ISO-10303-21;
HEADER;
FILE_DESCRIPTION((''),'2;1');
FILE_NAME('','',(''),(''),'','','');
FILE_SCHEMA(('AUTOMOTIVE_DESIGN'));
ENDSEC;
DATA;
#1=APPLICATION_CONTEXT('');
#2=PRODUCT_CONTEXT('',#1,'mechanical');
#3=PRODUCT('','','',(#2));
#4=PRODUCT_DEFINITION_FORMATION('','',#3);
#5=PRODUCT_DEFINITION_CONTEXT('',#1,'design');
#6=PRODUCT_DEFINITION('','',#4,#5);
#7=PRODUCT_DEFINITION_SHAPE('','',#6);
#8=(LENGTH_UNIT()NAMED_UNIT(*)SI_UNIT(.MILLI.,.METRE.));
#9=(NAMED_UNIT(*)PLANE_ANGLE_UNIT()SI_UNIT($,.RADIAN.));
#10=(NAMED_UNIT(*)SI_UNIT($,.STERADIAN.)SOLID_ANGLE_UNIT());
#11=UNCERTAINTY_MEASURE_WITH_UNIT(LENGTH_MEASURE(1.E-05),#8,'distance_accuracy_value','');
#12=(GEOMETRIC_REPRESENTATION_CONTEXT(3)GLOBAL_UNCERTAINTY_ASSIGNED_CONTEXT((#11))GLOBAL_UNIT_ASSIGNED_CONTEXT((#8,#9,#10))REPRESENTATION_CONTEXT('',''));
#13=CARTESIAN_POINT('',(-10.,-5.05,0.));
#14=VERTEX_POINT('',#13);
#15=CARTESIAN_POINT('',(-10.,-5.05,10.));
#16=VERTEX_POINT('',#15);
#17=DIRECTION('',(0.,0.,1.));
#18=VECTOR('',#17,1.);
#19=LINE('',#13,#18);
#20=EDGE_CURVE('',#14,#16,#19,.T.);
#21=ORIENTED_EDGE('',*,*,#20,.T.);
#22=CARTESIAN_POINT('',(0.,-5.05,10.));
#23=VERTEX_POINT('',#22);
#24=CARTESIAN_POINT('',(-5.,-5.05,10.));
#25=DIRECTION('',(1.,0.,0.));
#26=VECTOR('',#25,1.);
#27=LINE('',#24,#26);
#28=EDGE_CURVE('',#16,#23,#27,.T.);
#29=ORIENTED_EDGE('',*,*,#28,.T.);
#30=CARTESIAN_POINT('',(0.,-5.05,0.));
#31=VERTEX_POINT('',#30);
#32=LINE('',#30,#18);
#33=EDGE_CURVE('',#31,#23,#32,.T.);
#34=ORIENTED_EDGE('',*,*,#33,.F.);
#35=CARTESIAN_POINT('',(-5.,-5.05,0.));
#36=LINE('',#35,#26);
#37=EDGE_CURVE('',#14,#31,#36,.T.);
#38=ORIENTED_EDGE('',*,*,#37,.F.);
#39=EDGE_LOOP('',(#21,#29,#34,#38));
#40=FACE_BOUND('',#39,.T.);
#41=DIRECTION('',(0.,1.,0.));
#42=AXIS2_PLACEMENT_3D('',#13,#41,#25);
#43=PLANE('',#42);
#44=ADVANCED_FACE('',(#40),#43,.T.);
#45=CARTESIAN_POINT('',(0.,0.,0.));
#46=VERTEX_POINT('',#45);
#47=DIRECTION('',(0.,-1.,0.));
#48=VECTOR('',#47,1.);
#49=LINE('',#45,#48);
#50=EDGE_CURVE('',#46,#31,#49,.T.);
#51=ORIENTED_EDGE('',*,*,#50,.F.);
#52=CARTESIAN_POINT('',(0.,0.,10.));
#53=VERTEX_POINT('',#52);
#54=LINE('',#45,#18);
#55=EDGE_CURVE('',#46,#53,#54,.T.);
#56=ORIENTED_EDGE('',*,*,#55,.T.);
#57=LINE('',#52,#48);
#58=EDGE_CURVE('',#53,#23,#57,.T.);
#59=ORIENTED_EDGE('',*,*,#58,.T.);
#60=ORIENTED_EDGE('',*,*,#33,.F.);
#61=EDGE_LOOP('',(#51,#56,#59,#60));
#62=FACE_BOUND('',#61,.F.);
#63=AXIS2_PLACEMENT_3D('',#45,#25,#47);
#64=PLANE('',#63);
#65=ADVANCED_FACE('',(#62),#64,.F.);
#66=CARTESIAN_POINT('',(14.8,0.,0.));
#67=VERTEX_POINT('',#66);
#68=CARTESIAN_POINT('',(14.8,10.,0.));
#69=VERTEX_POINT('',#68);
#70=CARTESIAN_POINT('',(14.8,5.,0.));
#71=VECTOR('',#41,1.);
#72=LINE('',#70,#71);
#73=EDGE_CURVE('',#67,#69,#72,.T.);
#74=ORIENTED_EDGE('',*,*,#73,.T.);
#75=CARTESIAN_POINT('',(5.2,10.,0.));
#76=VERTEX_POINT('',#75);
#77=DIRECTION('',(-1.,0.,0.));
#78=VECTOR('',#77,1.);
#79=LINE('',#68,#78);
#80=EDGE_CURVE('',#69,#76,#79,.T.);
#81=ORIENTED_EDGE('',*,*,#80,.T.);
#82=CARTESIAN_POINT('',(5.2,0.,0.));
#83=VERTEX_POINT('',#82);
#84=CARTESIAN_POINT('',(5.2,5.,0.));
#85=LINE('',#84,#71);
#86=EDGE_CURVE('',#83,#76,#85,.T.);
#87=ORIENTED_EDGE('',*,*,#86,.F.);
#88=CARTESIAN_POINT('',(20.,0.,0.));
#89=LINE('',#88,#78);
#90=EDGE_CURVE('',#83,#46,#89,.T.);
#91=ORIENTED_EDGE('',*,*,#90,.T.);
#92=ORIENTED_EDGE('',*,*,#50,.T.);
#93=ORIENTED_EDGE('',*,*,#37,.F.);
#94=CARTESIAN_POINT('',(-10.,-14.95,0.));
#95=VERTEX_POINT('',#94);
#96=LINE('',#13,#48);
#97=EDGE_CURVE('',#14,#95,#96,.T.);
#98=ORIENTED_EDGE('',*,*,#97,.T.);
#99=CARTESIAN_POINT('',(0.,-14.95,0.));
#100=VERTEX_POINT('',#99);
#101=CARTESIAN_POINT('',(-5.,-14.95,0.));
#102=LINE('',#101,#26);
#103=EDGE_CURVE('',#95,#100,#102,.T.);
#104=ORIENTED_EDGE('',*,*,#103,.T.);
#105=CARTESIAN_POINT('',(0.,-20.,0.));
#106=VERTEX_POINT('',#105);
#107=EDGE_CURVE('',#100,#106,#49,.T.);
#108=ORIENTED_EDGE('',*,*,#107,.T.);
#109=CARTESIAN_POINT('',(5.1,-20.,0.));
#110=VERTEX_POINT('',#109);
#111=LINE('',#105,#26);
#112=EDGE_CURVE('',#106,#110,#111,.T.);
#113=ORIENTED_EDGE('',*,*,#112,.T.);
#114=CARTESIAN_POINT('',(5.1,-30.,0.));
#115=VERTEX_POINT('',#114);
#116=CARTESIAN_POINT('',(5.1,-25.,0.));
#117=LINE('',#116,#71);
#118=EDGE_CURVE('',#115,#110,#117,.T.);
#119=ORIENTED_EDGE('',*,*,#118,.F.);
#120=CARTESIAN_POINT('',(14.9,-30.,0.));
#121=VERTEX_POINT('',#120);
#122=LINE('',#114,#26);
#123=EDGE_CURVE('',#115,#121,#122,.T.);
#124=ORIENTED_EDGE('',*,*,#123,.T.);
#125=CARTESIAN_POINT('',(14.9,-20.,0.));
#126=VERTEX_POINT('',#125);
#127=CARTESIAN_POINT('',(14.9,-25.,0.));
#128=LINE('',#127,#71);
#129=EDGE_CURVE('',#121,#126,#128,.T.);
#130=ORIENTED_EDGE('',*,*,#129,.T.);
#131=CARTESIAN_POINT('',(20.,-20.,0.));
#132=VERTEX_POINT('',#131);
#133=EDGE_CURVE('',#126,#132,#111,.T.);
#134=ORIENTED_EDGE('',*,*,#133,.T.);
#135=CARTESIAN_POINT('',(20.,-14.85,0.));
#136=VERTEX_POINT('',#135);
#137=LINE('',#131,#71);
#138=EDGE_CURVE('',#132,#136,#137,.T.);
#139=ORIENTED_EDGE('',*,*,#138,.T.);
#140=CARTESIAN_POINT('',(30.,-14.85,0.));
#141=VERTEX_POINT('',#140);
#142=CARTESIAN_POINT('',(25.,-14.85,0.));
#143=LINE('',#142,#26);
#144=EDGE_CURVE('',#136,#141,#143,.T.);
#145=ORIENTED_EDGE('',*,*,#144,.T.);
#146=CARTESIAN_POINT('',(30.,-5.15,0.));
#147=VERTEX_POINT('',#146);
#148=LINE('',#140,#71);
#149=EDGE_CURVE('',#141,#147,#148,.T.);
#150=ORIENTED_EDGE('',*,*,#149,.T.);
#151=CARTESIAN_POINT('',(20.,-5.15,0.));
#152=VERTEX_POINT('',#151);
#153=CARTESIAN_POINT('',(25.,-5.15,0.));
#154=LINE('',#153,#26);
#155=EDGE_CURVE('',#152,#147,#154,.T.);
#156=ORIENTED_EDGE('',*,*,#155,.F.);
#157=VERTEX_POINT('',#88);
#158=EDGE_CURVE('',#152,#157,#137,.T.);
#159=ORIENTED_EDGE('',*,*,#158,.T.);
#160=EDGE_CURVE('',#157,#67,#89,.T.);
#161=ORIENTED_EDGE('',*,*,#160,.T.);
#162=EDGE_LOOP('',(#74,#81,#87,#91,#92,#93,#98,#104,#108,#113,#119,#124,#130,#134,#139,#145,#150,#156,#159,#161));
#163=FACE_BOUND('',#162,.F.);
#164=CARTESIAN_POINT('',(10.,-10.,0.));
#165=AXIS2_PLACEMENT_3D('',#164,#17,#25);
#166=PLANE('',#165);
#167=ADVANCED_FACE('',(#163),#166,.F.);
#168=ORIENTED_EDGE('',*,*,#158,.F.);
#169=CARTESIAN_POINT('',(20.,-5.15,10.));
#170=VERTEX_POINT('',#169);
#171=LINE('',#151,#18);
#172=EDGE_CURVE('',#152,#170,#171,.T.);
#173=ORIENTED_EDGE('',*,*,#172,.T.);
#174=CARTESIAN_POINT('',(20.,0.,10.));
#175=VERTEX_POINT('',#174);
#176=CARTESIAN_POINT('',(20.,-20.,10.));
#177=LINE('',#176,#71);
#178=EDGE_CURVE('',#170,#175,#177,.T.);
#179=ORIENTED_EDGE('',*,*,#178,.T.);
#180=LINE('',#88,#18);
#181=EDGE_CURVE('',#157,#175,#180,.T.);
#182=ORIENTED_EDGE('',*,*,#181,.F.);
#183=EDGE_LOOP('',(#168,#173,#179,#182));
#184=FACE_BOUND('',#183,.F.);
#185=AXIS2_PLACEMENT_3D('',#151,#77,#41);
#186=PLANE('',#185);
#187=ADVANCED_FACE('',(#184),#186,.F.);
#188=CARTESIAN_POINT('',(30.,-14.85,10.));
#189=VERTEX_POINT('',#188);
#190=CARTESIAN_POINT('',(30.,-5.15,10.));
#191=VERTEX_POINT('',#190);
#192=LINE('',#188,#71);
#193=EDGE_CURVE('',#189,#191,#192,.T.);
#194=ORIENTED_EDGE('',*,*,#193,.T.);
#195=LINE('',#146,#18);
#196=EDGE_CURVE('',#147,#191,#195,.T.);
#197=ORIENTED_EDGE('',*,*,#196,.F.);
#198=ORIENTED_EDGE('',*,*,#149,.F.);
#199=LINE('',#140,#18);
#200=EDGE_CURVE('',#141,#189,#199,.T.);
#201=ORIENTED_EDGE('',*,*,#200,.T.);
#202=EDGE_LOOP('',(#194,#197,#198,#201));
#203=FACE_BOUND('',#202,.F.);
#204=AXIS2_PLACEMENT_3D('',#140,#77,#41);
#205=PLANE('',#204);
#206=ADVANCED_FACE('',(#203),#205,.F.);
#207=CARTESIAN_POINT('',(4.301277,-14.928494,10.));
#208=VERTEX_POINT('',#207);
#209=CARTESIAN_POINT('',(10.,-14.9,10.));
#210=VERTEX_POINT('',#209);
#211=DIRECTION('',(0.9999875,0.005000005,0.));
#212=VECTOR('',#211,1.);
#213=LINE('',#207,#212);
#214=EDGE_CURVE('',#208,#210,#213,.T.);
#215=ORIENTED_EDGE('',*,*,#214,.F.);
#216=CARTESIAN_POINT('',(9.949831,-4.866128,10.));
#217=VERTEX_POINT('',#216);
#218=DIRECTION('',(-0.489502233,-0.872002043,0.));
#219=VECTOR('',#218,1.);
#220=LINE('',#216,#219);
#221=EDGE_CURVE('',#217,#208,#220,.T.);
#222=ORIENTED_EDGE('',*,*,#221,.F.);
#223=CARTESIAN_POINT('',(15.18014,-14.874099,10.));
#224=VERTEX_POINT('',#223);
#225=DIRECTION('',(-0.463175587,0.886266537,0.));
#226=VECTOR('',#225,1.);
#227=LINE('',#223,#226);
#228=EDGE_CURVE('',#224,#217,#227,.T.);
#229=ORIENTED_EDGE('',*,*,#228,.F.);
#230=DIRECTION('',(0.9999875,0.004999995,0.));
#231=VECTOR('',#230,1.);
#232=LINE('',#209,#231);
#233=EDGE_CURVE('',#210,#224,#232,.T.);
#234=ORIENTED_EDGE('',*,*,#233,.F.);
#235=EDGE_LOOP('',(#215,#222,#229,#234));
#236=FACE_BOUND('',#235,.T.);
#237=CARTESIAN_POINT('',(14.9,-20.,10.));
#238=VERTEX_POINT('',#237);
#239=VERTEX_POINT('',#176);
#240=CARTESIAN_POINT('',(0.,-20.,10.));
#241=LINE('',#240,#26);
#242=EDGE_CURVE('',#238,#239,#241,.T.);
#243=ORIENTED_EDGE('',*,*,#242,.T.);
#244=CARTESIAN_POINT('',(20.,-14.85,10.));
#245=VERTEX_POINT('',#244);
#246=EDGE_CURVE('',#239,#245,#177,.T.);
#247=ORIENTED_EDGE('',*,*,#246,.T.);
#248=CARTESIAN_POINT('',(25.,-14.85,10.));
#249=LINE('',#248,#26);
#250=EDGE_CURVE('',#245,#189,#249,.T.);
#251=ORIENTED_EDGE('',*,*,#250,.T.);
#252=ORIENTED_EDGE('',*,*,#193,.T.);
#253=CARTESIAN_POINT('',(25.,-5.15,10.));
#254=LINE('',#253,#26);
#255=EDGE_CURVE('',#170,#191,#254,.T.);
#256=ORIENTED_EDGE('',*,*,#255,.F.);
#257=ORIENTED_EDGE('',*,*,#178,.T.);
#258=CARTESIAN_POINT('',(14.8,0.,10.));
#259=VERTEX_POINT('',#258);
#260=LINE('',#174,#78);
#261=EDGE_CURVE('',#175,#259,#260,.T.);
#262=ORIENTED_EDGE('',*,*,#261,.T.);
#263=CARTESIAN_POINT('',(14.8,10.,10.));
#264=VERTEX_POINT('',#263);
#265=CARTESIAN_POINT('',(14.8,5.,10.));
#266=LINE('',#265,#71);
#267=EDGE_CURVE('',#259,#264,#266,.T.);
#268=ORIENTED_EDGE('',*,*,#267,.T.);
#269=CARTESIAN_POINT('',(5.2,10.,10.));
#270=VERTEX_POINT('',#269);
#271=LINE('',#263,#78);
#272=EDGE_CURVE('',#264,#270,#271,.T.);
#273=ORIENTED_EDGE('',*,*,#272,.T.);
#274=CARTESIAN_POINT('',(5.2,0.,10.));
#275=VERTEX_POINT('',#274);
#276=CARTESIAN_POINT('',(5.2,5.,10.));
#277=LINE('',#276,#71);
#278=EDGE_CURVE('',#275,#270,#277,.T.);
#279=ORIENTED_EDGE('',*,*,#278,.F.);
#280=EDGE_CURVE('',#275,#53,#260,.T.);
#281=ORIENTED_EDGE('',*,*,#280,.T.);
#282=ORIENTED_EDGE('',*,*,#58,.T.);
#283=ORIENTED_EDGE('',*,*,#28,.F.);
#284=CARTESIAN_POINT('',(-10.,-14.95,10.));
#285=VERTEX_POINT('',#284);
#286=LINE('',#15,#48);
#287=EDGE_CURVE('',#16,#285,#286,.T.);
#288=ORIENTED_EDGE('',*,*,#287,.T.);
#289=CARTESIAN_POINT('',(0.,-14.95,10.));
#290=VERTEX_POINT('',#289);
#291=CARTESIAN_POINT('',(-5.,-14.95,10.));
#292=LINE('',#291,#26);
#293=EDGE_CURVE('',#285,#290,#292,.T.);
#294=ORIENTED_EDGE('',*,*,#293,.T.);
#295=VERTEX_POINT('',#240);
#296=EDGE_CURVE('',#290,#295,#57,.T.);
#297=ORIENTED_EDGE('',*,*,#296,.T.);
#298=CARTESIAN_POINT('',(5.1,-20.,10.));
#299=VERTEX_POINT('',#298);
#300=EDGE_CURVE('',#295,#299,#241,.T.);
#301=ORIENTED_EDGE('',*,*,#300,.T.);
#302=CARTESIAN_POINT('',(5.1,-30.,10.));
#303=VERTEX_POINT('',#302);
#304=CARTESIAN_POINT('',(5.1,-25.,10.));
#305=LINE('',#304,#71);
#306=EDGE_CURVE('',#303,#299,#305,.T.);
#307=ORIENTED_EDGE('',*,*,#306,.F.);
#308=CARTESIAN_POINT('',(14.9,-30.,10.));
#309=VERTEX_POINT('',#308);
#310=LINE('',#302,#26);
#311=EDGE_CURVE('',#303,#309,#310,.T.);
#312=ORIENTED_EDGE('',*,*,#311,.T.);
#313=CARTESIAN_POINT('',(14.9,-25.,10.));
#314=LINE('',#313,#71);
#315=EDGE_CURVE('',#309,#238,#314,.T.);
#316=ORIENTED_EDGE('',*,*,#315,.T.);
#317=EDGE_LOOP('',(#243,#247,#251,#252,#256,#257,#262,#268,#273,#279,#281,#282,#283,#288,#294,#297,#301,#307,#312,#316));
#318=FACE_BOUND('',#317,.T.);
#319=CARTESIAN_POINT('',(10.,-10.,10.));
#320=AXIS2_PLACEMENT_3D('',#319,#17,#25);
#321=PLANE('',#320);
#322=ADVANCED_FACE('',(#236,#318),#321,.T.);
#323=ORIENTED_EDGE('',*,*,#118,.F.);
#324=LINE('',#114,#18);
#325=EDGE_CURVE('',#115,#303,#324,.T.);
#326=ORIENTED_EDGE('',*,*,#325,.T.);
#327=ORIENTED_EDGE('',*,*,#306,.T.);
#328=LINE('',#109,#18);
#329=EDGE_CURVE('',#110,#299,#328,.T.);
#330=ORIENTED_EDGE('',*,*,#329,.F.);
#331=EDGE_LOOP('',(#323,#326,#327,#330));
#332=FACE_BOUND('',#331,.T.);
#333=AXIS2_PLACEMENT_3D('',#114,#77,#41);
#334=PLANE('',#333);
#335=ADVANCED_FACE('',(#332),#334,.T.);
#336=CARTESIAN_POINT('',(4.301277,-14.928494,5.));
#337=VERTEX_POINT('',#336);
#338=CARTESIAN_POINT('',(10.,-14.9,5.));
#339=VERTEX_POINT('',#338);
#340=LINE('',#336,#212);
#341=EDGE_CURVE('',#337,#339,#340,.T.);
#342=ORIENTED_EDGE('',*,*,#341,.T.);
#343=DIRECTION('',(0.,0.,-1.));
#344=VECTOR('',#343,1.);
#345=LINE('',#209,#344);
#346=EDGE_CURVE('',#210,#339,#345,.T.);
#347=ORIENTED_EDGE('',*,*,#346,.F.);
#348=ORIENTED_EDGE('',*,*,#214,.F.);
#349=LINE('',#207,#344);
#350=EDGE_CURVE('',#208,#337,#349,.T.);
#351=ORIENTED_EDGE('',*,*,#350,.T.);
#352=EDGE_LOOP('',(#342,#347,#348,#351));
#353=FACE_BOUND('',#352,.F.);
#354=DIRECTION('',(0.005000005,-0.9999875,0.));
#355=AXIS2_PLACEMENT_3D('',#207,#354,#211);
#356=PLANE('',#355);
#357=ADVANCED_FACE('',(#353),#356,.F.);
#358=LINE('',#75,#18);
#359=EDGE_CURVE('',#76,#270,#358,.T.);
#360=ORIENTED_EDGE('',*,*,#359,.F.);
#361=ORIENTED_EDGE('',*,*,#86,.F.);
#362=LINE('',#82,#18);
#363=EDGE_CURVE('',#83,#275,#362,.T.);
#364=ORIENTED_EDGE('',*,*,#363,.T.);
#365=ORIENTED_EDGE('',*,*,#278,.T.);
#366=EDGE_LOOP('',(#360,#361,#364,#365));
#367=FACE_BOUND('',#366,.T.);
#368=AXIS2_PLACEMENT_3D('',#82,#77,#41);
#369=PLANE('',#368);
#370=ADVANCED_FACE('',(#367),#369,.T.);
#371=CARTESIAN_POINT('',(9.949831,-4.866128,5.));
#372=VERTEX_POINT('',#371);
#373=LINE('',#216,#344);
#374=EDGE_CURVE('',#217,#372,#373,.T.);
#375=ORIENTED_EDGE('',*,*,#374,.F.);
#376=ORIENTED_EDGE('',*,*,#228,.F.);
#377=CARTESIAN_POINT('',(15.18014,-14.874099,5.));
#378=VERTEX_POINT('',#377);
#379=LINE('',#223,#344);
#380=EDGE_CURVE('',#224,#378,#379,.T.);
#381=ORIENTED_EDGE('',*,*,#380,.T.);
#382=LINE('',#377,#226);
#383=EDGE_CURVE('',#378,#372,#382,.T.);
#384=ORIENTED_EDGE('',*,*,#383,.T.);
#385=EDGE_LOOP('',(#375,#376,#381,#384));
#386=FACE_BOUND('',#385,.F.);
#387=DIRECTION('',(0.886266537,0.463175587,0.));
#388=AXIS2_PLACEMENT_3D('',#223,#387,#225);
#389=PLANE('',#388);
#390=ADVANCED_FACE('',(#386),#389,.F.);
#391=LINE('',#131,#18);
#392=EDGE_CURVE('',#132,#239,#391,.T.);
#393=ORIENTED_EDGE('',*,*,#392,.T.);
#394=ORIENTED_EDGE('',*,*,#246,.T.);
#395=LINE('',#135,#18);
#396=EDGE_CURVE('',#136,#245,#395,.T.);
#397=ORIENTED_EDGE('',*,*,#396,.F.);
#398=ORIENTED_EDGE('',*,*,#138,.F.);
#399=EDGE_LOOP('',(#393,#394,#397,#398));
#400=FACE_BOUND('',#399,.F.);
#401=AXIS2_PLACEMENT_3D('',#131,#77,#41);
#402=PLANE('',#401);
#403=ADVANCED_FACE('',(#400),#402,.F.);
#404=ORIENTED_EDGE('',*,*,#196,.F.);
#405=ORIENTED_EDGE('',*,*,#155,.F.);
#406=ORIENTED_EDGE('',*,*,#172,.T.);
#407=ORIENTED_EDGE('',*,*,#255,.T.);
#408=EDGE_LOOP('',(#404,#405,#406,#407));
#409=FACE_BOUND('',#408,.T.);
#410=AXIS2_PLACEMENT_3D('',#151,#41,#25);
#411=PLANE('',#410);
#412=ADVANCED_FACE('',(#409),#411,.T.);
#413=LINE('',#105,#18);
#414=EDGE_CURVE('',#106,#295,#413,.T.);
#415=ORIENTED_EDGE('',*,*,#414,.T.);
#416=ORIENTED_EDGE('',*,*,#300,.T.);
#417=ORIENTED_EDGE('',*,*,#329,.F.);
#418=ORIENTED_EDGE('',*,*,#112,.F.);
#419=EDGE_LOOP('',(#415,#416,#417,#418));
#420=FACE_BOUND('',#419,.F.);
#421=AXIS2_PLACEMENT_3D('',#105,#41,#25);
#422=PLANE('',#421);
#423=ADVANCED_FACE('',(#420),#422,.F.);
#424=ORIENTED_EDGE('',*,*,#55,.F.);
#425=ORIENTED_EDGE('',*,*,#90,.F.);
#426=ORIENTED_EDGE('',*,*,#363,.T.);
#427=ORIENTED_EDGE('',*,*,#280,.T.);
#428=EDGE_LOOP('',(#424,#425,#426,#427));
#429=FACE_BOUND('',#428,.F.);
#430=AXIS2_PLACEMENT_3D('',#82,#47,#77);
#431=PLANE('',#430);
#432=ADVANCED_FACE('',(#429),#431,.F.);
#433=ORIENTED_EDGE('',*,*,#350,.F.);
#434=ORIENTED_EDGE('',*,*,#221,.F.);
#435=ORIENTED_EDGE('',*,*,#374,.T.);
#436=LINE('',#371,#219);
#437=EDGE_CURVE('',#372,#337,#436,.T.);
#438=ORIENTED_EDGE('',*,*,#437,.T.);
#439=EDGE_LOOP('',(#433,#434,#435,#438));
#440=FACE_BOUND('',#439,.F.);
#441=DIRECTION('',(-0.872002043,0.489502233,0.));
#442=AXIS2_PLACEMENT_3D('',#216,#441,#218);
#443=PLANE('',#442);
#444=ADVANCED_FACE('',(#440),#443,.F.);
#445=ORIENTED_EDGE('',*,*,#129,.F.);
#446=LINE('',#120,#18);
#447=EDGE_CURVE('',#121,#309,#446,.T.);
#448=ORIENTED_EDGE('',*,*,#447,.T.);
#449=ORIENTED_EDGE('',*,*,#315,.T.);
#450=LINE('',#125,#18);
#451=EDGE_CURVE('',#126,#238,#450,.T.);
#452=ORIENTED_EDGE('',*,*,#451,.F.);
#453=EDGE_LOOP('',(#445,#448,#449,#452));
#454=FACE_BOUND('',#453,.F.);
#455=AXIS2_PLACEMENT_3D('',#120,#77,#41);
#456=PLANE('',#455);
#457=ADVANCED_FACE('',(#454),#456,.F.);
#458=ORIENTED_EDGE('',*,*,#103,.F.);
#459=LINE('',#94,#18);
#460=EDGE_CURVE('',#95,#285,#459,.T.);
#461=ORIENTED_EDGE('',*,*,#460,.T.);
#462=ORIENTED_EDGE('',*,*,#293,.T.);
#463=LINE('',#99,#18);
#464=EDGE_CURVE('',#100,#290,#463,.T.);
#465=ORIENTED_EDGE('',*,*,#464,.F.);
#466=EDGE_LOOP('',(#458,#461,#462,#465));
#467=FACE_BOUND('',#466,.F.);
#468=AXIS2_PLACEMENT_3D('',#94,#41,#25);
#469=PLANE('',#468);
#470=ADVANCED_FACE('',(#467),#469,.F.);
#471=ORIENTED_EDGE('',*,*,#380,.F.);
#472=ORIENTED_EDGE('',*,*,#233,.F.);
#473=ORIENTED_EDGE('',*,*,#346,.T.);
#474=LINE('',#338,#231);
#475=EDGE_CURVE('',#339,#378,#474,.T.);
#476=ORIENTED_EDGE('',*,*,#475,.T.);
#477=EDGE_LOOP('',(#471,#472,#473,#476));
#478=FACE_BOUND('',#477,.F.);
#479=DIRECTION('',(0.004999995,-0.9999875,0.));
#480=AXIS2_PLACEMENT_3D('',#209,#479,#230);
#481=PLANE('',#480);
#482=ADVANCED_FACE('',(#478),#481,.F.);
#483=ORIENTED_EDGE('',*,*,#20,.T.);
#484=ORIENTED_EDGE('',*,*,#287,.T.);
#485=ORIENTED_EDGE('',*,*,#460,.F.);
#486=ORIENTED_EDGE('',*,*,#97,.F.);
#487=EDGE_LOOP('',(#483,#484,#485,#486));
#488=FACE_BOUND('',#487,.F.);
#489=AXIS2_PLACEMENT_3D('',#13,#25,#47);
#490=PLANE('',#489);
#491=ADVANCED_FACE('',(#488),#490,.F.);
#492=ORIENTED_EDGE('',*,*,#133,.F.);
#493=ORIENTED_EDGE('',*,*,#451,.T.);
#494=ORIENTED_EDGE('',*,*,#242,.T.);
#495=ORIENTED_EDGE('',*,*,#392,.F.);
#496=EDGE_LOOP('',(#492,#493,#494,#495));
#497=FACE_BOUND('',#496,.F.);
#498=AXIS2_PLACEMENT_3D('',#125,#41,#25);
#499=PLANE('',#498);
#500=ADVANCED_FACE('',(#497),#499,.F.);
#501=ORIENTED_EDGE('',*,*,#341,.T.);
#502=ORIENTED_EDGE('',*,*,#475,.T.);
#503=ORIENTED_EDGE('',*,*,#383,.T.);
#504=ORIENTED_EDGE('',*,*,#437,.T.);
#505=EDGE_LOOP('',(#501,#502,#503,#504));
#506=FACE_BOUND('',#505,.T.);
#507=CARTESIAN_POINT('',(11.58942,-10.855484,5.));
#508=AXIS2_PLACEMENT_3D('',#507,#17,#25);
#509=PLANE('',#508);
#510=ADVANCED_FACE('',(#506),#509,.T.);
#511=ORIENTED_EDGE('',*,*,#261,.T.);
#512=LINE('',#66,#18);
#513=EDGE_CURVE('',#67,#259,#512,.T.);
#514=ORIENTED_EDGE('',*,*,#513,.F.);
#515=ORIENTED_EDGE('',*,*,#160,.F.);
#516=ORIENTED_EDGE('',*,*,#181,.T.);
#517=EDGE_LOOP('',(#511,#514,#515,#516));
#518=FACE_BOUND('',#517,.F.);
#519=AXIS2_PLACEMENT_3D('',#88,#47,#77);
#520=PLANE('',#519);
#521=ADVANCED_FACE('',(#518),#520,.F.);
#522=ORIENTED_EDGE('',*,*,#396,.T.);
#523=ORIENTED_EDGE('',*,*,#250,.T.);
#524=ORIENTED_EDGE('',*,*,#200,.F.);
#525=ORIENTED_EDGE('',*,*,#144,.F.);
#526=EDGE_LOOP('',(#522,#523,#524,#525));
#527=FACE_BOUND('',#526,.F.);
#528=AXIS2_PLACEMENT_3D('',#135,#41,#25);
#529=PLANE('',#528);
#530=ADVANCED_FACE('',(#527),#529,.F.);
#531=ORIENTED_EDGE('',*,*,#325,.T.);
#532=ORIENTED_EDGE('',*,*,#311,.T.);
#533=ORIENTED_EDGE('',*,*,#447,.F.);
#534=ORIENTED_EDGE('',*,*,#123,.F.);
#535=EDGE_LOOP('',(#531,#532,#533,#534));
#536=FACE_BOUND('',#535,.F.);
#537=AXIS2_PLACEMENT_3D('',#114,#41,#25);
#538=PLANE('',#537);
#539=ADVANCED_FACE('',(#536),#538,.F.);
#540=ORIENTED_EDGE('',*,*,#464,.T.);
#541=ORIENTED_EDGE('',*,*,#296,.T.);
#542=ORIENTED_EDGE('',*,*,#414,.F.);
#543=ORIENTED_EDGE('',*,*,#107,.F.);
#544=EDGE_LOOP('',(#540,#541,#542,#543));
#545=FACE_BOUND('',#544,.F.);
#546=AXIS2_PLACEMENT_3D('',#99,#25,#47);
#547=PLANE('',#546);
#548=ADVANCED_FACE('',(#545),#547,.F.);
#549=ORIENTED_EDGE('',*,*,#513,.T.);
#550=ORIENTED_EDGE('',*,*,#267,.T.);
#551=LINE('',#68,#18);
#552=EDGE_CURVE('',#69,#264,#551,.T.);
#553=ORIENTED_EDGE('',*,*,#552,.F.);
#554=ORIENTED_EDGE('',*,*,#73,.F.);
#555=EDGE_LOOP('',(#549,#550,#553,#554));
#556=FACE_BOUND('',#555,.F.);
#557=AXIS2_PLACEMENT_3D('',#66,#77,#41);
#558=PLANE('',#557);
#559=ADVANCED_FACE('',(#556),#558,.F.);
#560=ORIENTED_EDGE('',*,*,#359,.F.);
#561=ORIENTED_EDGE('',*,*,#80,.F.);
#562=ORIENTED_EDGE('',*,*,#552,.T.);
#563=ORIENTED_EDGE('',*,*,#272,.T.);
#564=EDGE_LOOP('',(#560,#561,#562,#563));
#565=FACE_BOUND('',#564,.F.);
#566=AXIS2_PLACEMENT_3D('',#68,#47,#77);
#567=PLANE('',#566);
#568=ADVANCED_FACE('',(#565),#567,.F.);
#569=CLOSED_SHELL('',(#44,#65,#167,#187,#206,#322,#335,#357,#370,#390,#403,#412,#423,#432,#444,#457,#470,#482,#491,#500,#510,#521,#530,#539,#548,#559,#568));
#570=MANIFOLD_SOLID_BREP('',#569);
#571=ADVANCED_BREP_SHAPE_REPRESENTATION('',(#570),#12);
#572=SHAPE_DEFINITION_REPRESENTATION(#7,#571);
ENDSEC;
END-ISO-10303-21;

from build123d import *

# Parameters (mm, degrees)
F0_W     = 4.8
F0_H     = 10
F0_W_2   = 10
F0_H_2   = 4.95
F0_H_3   = 4.85
F0_W_3   = 4.9
F1_DEPTH = 10
F3_DEPTH = 5


with BuildPart() as f1:
    # F0 (on Top) → F1 (new body)
    with BuildSketch(Plane.XY):
        Polygon((5.2, 0), (0, 0), (0, -5.05), (0, -10), (0, -14.95), (0, -20), (5.1, -20), (10, -20), (14.9, -20), (20, -20), (20, -14.85), (20, -10), (20, -5.15), (20, 0), (14.8, 0), (10, 0), align=None)
        with Locations((7.6, 5)):
            Rectangle(F0_W, F0_H)
        with Locations((-5, -7.525)):
            Rectangle(F0_W_2, F0_H_2)
        with Locations((12.4, 5)):
            Rectangle(F0_W, F0_H)
        with Locations((-5, -12.475)):
            Rectangle(F0_W_2, F0_H_2)
        with Locations((25, -7.575)):
            Rectangle(F0_W_2, F0_H_3)
        with Locations((7.55, -25)):
            Rectangle(F0_W_3, F0_H)
        with Locations((25, -12.425)):
            Rectangle(F0_W_2, F0_H_3)
        with Locations((12.45, -25)):
            Rectangle(F0_W_3, F0_H)
    extrude(amount=F1_DEPTH)

    # F2 (on face) → F3 (cut)
    with BuildSketch(Plane.XY.offset(10)):
        Polygon((10, -14.9), (15.18014, -14.874099), (9.949831, -4.866128), align=None)
        Polygon((4.301277, -14.928494), (10, -14.9), (9.949831, -4.866128), align=None)
    extrude(amount=-F3_DEPTH, mode=Mode.SUBTRACT)


solid = f1.part
